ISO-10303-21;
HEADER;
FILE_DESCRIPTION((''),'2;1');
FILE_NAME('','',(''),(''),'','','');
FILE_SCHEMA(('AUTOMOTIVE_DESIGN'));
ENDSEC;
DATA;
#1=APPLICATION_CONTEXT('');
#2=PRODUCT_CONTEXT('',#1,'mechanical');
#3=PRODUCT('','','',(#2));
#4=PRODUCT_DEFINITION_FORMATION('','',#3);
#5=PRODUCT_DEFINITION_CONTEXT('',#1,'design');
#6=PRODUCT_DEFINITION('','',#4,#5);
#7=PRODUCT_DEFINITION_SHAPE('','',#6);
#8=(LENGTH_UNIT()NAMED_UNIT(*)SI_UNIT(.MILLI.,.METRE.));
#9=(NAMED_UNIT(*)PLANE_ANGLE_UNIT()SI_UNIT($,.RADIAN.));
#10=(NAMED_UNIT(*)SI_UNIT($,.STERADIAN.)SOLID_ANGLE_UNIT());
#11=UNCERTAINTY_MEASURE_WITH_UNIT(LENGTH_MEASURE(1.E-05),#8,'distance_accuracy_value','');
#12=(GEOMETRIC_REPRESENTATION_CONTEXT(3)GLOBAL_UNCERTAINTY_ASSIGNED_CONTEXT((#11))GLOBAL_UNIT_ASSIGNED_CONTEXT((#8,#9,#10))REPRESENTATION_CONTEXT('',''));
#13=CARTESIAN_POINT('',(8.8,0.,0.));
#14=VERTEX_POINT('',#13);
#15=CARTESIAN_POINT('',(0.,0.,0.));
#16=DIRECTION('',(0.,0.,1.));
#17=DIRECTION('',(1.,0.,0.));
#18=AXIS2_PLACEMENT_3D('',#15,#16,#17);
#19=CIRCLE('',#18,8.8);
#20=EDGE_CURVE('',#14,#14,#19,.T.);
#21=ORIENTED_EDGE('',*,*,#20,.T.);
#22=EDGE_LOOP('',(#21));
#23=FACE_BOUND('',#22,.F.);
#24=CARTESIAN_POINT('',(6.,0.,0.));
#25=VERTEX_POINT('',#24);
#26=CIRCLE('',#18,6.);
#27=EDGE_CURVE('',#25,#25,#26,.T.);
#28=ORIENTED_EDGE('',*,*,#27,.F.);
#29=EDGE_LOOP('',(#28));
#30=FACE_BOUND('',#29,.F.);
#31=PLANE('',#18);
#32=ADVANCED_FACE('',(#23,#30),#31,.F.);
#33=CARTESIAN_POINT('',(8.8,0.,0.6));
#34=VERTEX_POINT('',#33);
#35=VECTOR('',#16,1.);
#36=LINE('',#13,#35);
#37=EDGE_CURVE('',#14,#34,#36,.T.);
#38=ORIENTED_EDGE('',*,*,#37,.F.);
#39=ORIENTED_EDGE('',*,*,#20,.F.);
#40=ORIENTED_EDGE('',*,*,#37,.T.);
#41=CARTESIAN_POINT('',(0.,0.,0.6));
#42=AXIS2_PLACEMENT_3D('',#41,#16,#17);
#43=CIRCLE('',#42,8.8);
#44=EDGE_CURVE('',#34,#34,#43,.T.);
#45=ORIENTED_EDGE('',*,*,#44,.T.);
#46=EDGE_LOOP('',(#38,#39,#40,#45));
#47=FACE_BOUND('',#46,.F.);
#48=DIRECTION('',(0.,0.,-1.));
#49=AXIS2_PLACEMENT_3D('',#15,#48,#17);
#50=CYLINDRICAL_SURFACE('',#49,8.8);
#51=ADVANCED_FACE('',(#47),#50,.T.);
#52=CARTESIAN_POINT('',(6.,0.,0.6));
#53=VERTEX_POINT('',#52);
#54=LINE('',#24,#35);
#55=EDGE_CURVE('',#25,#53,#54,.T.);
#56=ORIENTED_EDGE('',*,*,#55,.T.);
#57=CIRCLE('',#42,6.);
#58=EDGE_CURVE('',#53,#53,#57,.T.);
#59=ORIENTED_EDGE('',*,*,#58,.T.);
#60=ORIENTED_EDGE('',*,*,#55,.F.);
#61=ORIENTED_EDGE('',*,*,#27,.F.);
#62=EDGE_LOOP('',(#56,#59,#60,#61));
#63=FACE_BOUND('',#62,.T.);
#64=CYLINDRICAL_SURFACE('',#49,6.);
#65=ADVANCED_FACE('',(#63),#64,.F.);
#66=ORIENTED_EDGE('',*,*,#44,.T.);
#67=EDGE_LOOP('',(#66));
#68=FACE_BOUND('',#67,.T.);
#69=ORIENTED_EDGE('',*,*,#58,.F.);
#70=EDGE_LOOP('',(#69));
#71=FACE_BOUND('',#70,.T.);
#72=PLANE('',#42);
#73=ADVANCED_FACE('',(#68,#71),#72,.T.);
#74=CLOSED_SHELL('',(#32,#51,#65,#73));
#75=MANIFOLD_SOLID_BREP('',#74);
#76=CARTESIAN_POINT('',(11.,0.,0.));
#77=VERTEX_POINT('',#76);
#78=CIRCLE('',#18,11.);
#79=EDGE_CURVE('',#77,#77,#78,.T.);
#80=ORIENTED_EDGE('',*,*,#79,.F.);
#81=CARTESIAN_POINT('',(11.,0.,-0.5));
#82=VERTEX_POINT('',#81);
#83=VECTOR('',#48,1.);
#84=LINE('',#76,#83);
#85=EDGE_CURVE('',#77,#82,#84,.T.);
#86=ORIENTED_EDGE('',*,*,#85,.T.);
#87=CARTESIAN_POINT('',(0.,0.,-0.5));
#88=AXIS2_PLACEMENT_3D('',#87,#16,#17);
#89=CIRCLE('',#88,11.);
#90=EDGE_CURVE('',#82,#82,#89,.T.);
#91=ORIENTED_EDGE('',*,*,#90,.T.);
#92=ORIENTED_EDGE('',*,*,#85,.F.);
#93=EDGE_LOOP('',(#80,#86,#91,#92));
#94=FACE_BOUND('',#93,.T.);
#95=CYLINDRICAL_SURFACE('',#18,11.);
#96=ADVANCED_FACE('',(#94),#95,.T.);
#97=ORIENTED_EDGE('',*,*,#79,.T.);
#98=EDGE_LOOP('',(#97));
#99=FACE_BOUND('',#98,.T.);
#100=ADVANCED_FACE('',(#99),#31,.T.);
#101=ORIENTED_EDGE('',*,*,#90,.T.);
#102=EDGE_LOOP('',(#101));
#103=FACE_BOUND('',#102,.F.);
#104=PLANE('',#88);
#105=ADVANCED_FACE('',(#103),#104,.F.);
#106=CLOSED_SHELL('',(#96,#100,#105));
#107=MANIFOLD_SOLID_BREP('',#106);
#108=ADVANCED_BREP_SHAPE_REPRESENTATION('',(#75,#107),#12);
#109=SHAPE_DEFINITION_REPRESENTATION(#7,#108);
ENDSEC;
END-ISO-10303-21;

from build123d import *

# Parameters (mm, degrees)
F0_R     = 8.8
F0_R_2   = 6
F1_DEPTH = 0.6
F2_R     = 11
F3_DEPTH = 0.5


with BuildPart() as f1:
    # F0 (on Top) → F1 (new body)
    with BuildSketch(Plane.XY):
        Circle(F0_R)
        Circle(F0_R_2, mode=Mode.SUBTRACT)
    extrude(amount=F1_DEPTH)


with BuildPart() as f3:
    # F2 (on Top) → F3 (new body)
    with BuildSketch(Plane.XY):
        Circle(F2_R)
    extrude(amount=-F3_DEPTH)


solid = Compound([f1.part, f3.part])
